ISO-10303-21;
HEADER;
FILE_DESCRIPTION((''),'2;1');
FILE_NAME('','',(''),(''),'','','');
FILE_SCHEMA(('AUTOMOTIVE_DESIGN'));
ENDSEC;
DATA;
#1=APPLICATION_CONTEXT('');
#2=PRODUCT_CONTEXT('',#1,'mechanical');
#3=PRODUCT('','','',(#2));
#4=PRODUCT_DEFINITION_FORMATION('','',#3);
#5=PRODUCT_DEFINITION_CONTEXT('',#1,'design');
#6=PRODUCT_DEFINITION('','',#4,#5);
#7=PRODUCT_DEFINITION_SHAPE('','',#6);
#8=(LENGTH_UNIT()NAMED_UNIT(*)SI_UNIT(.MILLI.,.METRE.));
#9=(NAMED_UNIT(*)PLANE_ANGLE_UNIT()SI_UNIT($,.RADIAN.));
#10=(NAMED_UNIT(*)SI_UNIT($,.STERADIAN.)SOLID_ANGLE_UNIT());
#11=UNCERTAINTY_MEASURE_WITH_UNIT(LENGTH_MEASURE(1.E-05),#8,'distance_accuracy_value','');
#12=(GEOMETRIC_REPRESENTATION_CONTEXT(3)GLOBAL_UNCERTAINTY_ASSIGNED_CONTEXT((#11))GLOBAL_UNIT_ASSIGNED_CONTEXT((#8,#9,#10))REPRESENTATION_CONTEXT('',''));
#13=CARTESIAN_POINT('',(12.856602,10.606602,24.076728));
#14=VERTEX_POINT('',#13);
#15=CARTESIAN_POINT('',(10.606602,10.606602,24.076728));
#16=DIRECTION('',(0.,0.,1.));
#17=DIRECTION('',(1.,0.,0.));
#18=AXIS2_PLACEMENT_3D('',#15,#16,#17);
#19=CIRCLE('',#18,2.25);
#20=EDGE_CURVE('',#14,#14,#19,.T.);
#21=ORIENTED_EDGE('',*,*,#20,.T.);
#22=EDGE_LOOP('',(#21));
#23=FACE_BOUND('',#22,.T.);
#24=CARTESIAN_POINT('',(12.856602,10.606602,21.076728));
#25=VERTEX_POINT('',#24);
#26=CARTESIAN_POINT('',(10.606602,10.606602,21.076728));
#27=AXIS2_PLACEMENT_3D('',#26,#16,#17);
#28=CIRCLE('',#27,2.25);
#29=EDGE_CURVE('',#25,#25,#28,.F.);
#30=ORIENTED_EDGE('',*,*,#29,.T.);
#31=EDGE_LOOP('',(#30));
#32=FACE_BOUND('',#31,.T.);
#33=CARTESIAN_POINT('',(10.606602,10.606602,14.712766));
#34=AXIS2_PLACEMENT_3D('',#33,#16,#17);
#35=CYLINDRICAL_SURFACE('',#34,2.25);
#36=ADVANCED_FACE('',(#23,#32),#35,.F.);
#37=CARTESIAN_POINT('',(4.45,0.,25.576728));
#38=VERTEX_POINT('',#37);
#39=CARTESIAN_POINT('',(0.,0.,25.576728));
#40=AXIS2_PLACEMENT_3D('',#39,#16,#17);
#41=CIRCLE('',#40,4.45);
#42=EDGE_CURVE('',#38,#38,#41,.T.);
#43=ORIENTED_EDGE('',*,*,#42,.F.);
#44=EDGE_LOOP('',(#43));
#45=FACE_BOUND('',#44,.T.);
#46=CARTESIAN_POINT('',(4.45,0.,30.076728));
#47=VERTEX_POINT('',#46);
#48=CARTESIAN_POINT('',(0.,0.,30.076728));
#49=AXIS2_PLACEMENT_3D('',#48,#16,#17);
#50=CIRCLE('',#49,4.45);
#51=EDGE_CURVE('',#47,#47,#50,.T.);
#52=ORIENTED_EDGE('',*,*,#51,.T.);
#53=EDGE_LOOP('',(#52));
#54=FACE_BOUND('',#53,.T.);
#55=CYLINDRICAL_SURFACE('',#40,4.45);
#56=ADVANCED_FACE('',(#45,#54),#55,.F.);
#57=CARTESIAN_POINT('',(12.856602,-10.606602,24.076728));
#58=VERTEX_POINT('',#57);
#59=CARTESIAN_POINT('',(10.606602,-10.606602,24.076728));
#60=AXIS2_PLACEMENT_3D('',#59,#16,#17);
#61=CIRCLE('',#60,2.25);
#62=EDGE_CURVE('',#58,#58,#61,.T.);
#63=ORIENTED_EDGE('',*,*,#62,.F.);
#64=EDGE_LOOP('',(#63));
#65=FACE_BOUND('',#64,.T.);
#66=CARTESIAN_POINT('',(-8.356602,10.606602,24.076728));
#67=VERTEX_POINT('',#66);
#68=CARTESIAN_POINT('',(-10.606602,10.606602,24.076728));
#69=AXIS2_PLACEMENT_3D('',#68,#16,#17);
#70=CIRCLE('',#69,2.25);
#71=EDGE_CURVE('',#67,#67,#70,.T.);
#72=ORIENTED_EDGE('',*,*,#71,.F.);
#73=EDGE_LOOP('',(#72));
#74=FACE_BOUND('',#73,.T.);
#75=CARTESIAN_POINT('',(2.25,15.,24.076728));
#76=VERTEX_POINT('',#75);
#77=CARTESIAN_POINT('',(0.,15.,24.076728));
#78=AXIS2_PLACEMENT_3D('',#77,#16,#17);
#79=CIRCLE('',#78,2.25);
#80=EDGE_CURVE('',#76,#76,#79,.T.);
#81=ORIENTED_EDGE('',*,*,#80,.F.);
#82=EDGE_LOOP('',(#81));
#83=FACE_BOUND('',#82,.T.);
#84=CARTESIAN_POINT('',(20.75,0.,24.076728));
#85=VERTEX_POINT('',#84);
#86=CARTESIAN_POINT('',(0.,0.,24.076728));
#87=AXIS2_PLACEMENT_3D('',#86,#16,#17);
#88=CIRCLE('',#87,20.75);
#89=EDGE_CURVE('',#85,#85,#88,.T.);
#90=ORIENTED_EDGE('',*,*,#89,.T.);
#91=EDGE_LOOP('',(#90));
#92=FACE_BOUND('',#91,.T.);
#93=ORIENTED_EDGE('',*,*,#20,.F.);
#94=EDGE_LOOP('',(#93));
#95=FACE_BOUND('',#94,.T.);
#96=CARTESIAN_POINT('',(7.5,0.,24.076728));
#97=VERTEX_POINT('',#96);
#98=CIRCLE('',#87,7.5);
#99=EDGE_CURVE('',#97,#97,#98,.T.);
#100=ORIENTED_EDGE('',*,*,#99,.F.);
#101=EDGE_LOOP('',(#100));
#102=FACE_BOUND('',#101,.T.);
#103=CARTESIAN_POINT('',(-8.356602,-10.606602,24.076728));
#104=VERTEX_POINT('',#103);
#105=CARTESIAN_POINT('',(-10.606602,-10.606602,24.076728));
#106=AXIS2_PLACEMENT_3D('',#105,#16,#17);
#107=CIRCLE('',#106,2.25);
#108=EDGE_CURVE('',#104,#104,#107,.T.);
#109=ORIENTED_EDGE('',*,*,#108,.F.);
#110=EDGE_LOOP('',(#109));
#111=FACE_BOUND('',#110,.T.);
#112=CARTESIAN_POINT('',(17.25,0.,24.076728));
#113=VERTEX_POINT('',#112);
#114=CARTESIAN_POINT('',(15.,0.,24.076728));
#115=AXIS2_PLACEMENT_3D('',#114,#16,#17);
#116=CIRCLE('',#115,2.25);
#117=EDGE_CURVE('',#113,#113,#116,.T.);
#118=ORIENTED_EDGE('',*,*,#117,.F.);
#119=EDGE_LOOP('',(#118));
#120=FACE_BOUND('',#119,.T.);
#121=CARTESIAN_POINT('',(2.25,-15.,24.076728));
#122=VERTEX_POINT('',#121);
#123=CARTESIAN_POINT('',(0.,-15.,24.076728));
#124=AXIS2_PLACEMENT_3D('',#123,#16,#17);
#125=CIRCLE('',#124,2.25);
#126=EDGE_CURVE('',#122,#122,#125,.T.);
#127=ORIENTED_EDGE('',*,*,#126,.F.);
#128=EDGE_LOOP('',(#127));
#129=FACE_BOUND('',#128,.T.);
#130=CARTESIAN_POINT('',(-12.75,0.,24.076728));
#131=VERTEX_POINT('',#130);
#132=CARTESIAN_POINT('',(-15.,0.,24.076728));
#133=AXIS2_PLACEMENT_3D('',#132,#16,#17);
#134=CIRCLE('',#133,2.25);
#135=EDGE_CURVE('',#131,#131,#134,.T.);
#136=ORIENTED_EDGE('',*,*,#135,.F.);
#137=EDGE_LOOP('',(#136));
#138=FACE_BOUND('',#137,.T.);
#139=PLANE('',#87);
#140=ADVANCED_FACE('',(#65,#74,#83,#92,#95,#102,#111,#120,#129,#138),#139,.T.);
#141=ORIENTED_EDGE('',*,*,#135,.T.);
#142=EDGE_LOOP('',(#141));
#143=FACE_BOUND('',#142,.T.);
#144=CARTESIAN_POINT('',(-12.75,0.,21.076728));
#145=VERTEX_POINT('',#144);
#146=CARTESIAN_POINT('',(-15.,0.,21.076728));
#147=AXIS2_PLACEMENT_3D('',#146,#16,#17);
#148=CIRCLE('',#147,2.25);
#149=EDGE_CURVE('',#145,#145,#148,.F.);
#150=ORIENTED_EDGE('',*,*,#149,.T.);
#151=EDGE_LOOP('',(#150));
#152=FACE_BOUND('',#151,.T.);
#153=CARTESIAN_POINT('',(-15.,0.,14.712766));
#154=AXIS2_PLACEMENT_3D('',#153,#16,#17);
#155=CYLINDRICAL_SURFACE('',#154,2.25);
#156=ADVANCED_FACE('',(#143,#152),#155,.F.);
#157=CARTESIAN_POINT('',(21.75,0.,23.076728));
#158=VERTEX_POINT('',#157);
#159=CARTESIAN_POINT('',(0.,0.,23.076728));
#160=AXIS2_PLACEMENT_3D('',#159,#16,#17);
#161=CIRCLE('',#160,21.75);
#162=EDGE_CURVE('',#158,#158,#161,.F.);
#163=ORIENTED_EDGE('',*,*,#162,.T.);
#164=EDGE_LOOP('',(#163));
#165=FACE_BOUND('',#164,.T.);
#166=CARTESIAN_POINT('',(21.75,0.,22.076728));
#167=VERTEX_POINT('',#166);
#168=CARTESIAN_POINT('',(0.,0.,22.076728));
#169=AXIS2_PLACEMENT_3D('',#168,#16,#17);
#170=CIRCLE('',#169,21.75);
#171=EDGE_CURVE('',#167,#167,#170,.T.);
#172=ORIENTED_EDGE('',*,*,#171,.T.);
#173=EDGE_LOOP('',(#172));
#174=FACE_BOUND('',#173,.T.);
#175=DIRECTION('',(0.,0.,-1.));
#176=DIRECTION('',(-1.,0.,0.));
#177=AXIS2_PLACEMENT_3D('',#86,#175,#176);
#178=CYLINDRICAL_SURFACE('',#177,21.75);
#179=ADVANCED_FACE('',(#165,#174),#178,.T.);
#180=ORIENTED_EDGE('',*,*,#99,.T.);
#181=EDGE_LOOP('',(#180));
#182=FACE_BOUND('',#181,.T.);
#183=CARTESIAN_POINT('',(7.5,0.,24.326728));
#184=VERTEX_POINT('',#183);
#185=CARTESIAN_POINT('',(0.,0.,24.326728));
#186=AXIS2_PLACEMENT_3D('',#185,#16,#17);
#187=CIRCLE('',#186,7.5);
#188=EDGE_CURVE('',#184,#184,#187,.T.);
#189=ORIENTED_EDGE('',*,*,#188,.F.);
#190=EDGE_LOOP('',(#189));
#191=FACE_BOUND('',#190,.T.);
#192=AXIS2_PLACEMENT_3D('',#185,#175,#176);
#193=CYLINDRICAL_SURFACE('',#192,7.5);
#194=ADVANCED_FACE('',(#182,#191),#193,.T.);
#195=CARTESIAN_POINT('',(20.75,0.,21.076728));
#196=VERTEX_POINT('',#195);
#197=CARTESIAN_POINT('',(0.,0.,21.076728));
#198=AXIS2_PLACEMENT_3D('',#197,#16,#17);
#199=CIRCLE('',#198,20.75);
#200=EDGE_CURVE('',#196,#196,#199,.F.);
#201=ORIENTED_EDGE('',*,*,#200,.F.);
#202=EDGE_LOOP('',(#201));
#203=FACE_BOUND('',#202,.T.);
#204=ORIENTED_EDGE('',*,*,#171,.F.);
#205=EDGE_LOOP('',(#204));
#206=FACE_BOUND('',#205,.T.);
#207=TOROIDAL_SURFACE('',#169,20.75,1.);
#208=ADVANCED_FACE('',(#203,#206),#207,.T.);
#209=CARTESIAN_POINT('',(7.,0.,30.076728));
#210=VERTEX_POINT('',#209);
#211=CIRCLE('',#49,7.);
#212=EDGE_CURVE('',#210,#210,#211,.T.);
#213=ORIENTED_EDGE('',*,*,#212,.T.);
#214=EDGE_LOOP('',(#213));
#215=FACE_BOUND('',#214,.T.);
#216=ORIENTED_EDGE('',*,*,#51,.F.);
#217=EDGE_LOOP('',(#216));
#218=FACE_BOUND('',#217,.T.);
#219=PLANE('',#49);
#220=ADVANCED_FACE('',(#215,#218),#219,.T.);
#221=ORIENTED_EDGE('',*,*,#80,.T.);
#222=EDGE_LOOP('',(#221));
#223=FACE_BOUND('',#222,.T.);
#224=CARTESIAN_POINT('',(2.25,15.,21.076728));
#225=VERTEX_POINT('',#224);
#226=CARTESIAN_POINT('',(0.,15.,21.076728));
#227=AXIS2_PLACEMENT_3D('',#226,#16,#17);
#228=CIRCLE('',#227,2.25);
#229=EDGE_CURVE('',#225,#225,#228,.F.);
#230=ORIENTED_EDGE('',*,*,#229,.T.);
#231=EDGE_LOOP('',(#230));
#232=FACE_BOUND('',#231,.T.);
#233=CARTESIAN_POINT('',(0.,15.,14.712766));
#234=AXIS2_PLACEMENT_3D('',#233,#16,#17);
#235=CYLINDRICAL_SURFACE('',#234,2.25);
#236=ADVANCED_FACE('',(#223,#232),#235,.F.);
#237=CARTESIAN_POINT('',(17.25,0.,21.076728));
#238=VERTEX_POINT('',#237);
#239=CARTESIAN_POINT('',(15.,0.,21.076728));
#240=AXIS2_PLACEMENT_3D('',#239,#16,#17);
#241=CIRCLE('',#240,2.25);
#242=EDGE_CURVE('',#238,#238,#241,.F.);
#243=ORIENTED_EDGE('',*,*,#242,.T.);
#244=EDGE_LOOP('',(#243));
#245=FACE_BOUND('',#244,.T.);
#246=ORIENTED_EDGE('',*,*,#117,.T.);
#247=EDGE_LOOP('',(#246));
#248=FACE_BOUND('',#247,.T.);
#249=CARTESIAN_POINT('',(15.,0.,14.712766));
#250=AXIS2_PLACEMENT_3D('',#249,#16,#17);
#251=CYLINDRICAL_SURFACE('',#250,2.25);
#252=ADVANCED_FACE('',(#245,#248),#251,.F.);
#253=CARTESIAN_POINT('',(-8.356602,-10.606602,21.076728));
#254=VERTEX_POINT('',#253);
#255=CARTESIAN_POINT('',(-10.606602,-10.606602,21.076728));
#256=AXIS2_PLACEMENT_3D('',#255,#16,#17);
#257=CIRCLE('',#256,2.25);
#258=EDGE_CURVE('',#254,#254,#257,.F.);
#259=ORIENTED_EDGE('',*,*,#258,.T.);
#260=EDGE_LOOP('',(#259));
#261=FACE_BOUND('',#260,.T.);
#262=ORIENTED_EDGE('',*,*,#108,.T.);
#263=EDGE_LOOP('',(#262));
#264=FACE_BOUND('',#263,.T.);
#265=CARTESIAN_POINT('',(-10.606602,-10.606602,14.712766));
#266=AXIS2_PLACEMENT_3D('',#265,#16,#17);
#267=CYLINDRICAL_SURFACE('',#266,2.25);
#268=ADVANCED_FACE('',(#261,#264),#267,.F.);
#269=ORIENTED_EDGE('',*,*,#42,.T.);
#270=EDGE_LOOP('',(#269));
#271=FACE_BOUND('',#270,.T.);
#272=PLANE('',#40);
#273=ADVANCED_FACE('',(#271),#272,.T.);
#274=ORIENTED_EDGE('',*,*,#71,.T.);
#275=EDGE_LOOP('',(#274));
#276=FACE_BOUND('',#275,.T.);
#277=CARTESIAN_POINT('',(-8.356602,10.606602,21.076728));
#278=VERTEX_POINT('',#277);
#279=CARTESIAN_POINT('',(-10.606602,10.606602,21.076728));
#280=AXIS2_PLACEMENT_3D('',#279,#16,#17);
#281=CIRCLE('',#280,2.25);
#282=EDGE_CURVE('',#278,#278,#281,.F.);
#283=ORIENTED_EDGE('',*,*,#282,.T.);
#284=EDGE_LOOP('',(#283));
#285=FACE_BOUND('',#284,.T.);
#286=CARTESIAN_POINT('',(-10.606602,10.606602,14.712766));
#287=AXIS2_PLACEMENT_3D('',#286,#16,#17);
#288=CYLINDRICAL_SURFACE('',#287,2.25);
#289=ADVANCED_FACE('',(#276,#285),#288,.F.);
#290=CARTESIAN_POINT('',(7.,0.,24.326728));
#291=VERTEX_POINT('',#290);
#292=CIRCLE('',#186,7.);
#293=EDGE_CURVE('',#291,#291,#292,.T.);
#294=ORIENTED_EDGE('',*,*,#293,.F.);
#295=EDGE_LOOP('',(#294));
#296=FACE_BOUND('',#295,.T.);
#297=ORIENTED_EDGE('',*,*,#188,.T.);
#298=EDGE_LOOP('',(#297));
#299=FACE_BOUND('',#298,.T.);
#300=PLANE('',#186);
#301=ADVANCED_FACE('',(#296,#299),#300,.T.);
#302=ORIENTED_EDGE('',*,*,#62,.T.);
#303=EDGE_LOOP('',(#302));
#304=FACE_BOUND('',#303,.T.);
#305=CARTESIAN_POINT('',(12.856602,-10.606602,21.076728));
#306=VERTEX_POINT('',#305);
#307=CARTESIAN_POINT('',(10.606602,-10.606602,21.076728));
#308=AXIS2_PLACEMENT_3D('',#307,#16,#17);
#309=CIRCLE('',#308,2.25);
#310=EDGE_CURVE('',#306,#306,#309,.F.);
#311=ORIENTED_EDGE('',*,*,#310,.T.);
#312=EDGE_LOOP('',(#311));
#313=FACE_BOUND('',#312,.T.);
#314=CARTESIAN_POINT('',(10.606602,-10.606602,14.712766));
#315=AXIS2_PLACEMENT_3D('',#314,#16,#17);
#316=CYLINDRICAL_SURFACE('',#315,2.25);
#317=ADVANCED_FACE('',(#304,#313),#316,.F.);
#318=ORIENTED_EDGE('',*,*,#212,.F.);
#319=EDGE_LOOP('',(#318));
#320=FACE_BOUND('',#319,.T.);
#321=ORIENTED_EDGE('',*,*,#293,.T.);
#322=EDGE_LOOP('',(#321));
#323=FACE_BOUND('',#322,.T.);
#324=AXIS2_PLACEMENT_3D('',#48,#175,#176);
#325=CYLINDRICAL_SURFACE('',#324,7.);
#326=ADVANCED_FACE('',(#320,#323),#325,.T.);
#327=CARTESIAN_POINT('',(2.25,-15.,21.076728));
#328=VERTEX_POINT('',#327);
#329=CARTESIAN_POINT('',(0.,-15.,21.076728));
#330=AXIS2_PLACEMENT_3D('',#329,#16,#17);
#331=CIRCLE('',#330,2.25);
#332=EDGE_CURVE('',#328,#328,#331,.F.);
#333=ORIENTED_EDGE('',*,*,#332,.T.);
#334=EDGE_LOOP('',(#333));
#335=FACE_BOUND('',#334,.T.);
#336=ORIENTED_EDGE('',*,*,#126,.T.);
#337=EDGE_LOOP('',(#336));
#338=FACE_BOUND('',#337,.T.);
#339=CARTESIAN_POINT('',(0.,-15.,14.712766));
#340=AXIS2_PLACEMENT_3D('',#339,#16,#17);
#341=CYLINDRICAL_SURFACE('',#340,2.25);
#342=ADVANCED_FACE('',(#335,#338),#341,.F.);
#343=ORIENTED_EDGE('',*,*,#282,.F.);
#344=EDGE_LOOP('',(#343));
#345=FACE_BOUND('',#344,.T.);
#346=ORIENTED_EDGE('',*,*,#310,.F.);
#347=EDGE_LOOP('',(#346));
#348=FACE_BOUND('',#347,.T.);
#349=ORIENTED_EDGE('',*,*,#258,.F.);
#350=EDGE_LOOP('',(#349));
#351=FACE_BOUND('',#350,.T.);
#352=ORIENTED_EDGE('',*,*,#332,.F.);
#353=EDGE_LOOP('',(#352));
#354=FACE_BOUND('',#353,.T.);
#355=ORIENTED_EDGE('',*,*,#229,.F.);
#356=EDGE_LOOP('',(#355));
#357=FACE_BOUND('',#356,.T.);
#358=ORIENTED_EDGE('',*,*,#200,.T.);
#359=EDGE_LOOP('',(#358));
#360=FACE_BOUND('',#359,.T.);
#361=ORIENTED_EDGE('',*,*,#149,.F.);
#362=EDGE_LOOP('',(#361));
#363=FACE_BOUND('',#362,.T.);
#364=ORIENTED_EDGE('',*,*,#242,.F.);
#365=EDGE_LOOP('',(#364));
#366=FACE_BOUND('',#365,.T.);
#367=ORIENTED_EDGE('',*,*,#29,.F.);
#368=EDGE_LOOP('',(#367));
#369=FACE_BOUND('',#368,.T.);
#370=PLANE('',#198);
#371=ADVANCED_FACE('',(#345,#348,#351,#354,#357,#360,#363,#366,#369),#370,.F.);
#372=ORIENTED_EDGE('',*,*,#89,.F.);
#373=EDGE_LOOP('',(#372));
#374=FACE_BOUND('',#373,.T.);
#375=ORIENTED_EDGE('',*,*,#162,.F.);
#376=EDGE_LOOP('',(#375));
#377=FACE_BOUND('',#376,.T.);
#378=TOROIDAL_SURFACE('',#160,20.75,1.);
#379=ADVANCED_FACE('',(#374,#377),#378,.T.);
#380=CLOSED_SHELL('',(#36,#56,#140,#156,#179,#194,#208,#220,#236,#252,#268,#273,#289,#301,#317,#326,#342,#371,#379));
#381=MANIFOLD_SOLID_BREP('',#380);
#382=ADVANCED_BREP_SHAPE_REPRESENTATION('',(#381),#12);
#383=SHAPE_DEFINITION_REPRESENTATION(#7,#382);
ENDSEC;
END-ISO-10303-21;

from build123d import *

# Parameters (mm, degrees)
SKETCH1_R           = 217.5
BOSS_EXTRUDE1_DEPTH = 30
SKETCH2_R           = 75
BOSS_EXTRUDE2_DEPTH = 2.5
SKETCH3_R           = 70
BOSS_EXTRUDE3_DEPTH = 57.5
SKETCH12_R          = 22.5
CUT_EXTRUDE2_DEPTH  = 30
FILLET2_R           = 10
SCALE2_SCALE        = 0.1
SKETCH14_R          = 4.45
CUT_EXTRUDE3_DEPTH  = 4.5


with BuildPart() as part:
    # Sketch1 → Boss-Extrude1 (new body)
    with BuildSketch(Plane.XY):
        Circle(SKETCH1_R)
    extrude(amount=BOSS_EXTRUDE1_DEPTH)

    # Sketch2 → Boss-Extrude2 (add)
    with BuildSketch(Plane.XY.offset(30)):
        Circle(SKETCH2_R)
    extrude(amount=BOSS_EXTRUDE2_DEPTH)

    # Sketch3 → Boss-Extrude3 (add)
    with BuildSketch(Plane.XY.offset(32.5)):
        Circle(SKETCH3_R)
    extrude(amount=BOSS_EXTRUDE3_DEPTH)

    # Sketch12 → Cut-Extrude2 (cut)
    with BuildSketch(Plane.XY.offset(30)):
        with Locations((0, 150)):
            Circle(SKETCH12_R)
        with Locations((106.066017178, 106.066017178)):
            Circle(SKETCH12_R)
        with Locations((150, 0)):
            Circle(SKETCH12_R)
        with Locations((106.066017178, -106.066017178)):
            Circle(SKETCH12_R)
        with Locations((0, -150)):
            Circle(SKETCH12_R)
        with Locations((-106.066017178, -106.066017178)):
            Circle(SKETCH12_R)
        with Locations((-150, 0)):
            Circle(SKETCH12_R)
        with Locations((-106.066017178, 106.066017178)):
            Circle(SKETCH12_R)
    extrude(amount=-CUT_EXTRUDE2_DEPTH, mode=Mode.SUBTRACT)

    # Fillet2
    fillet2_edges = [part.edges().sort_by_distance(p)[0] for p in [
        (-217.5, 0, 0),
        (-217.5, 0, 30),
    ]]
    fillet(fillet2_edges, radius=FILLET2_R)


with BuildPart() as part_1:
    # Scale2: scaled about (0, 0, 23.418586113)
    add(part.part.scale(SCALE2_SCALE).moved(Location((0, 0, 21.076727502))))

    # Sketch14 → Cut-Extrude3 (cut)
    with BuildSketch(Plane.XY.offset(30.076727502)):
        Circle(SKETCH14_R)
    extrude(amount=-CUT_EXTRUDE3_DEPTH, mode=Mode.SUBTRACT)


solid = part_1.part
